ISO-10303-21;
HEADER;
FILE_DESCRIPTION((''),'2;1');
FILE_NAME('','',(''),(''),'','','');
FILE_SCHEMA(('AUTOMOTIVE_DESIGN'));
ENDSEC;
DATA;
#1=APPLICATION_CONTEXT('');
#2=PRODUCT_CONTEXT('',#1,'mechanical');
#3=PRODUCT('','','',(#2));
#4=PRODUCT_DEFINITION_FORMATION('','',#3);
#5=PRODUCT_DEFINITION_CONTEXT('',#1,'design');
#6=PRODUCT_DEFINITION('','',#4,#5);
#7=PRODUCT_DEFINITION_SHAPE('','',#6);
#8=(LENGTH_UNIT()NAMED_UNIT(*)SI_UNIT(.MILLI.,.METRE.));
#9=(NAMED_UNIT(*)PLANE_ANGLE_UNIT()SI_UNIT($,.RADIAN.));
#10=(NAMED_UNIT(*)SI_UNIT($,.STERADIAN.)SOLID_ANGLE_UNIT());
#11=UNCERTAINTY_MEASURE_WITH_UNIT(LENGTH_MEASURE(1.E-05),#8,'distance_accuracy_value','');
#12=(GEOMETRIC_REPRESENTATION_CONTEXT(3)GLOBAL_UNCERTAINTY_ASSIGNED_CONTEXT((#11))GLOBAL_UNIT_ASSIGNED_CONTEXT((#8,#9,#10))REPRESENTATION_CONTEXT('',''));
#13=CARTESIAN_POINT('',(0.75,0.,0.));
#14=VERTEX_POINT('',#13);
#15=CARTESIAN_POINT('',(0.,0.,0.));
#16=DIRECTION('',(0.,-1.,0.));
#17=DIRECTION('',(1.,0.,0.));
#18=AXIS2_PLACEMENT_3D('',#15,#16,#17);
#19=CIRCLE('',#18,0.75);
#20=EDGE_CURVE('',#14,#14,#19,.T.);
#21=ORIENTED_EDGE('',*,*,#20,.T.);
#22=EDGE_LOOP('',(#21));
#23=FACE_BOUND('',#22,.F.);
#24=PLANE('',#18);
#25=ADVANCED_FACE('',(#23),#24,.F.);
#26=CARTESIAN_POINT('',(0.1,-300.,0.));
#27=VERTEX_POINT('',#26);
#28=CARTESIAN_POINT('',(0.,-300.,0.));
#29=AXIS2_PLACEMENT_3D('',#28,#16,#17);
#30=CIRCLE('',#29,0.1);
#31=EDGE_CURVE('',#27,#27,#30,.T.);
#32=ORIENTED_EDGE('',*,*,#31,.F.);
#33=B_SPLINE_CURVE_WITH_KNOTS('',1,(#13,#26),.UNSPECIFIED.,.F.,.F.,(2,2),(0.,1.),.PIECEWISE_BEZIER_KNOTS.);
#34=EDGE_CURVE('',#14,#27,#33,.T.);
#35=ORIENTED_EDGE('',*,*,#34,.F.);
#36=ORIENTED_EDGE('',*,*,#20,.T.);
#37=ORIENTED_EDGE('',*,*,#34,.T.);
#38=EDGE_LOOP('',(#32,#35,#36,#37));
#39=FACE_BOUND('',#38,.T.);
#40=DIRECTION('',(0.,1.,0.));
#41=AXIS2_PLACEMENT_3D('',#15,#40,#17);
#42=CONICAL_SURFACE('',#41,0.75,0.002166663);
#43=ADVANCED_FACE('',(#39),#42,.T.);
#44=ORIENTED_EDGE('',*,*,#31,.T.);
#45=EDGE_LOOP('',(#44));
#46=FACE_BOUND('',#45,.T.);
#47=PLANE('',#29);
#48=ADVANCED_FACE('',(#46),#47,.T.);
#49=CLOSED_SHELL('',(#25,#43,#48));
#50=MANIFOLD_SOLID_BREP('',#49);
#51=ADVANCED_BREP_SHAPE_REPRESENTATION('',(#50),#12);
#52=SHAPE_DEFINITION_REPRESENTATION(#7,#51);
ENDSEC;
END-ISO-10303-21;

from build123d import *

# Parameters (mm, degrees)
F0_R = 0.75
F2_R = 0.1


with BuildPart() as f3:
    # F0 (on Front) → F3 section 0
    with BuildSketch(Plane.XZ):
        Circle(F0_R)
    # F2 (on offset) → F3 section 1
    with BuildSketch(Plane.XZ.offset(300)):
        Circle(F2_R)
    loft()


solid = f3.part
